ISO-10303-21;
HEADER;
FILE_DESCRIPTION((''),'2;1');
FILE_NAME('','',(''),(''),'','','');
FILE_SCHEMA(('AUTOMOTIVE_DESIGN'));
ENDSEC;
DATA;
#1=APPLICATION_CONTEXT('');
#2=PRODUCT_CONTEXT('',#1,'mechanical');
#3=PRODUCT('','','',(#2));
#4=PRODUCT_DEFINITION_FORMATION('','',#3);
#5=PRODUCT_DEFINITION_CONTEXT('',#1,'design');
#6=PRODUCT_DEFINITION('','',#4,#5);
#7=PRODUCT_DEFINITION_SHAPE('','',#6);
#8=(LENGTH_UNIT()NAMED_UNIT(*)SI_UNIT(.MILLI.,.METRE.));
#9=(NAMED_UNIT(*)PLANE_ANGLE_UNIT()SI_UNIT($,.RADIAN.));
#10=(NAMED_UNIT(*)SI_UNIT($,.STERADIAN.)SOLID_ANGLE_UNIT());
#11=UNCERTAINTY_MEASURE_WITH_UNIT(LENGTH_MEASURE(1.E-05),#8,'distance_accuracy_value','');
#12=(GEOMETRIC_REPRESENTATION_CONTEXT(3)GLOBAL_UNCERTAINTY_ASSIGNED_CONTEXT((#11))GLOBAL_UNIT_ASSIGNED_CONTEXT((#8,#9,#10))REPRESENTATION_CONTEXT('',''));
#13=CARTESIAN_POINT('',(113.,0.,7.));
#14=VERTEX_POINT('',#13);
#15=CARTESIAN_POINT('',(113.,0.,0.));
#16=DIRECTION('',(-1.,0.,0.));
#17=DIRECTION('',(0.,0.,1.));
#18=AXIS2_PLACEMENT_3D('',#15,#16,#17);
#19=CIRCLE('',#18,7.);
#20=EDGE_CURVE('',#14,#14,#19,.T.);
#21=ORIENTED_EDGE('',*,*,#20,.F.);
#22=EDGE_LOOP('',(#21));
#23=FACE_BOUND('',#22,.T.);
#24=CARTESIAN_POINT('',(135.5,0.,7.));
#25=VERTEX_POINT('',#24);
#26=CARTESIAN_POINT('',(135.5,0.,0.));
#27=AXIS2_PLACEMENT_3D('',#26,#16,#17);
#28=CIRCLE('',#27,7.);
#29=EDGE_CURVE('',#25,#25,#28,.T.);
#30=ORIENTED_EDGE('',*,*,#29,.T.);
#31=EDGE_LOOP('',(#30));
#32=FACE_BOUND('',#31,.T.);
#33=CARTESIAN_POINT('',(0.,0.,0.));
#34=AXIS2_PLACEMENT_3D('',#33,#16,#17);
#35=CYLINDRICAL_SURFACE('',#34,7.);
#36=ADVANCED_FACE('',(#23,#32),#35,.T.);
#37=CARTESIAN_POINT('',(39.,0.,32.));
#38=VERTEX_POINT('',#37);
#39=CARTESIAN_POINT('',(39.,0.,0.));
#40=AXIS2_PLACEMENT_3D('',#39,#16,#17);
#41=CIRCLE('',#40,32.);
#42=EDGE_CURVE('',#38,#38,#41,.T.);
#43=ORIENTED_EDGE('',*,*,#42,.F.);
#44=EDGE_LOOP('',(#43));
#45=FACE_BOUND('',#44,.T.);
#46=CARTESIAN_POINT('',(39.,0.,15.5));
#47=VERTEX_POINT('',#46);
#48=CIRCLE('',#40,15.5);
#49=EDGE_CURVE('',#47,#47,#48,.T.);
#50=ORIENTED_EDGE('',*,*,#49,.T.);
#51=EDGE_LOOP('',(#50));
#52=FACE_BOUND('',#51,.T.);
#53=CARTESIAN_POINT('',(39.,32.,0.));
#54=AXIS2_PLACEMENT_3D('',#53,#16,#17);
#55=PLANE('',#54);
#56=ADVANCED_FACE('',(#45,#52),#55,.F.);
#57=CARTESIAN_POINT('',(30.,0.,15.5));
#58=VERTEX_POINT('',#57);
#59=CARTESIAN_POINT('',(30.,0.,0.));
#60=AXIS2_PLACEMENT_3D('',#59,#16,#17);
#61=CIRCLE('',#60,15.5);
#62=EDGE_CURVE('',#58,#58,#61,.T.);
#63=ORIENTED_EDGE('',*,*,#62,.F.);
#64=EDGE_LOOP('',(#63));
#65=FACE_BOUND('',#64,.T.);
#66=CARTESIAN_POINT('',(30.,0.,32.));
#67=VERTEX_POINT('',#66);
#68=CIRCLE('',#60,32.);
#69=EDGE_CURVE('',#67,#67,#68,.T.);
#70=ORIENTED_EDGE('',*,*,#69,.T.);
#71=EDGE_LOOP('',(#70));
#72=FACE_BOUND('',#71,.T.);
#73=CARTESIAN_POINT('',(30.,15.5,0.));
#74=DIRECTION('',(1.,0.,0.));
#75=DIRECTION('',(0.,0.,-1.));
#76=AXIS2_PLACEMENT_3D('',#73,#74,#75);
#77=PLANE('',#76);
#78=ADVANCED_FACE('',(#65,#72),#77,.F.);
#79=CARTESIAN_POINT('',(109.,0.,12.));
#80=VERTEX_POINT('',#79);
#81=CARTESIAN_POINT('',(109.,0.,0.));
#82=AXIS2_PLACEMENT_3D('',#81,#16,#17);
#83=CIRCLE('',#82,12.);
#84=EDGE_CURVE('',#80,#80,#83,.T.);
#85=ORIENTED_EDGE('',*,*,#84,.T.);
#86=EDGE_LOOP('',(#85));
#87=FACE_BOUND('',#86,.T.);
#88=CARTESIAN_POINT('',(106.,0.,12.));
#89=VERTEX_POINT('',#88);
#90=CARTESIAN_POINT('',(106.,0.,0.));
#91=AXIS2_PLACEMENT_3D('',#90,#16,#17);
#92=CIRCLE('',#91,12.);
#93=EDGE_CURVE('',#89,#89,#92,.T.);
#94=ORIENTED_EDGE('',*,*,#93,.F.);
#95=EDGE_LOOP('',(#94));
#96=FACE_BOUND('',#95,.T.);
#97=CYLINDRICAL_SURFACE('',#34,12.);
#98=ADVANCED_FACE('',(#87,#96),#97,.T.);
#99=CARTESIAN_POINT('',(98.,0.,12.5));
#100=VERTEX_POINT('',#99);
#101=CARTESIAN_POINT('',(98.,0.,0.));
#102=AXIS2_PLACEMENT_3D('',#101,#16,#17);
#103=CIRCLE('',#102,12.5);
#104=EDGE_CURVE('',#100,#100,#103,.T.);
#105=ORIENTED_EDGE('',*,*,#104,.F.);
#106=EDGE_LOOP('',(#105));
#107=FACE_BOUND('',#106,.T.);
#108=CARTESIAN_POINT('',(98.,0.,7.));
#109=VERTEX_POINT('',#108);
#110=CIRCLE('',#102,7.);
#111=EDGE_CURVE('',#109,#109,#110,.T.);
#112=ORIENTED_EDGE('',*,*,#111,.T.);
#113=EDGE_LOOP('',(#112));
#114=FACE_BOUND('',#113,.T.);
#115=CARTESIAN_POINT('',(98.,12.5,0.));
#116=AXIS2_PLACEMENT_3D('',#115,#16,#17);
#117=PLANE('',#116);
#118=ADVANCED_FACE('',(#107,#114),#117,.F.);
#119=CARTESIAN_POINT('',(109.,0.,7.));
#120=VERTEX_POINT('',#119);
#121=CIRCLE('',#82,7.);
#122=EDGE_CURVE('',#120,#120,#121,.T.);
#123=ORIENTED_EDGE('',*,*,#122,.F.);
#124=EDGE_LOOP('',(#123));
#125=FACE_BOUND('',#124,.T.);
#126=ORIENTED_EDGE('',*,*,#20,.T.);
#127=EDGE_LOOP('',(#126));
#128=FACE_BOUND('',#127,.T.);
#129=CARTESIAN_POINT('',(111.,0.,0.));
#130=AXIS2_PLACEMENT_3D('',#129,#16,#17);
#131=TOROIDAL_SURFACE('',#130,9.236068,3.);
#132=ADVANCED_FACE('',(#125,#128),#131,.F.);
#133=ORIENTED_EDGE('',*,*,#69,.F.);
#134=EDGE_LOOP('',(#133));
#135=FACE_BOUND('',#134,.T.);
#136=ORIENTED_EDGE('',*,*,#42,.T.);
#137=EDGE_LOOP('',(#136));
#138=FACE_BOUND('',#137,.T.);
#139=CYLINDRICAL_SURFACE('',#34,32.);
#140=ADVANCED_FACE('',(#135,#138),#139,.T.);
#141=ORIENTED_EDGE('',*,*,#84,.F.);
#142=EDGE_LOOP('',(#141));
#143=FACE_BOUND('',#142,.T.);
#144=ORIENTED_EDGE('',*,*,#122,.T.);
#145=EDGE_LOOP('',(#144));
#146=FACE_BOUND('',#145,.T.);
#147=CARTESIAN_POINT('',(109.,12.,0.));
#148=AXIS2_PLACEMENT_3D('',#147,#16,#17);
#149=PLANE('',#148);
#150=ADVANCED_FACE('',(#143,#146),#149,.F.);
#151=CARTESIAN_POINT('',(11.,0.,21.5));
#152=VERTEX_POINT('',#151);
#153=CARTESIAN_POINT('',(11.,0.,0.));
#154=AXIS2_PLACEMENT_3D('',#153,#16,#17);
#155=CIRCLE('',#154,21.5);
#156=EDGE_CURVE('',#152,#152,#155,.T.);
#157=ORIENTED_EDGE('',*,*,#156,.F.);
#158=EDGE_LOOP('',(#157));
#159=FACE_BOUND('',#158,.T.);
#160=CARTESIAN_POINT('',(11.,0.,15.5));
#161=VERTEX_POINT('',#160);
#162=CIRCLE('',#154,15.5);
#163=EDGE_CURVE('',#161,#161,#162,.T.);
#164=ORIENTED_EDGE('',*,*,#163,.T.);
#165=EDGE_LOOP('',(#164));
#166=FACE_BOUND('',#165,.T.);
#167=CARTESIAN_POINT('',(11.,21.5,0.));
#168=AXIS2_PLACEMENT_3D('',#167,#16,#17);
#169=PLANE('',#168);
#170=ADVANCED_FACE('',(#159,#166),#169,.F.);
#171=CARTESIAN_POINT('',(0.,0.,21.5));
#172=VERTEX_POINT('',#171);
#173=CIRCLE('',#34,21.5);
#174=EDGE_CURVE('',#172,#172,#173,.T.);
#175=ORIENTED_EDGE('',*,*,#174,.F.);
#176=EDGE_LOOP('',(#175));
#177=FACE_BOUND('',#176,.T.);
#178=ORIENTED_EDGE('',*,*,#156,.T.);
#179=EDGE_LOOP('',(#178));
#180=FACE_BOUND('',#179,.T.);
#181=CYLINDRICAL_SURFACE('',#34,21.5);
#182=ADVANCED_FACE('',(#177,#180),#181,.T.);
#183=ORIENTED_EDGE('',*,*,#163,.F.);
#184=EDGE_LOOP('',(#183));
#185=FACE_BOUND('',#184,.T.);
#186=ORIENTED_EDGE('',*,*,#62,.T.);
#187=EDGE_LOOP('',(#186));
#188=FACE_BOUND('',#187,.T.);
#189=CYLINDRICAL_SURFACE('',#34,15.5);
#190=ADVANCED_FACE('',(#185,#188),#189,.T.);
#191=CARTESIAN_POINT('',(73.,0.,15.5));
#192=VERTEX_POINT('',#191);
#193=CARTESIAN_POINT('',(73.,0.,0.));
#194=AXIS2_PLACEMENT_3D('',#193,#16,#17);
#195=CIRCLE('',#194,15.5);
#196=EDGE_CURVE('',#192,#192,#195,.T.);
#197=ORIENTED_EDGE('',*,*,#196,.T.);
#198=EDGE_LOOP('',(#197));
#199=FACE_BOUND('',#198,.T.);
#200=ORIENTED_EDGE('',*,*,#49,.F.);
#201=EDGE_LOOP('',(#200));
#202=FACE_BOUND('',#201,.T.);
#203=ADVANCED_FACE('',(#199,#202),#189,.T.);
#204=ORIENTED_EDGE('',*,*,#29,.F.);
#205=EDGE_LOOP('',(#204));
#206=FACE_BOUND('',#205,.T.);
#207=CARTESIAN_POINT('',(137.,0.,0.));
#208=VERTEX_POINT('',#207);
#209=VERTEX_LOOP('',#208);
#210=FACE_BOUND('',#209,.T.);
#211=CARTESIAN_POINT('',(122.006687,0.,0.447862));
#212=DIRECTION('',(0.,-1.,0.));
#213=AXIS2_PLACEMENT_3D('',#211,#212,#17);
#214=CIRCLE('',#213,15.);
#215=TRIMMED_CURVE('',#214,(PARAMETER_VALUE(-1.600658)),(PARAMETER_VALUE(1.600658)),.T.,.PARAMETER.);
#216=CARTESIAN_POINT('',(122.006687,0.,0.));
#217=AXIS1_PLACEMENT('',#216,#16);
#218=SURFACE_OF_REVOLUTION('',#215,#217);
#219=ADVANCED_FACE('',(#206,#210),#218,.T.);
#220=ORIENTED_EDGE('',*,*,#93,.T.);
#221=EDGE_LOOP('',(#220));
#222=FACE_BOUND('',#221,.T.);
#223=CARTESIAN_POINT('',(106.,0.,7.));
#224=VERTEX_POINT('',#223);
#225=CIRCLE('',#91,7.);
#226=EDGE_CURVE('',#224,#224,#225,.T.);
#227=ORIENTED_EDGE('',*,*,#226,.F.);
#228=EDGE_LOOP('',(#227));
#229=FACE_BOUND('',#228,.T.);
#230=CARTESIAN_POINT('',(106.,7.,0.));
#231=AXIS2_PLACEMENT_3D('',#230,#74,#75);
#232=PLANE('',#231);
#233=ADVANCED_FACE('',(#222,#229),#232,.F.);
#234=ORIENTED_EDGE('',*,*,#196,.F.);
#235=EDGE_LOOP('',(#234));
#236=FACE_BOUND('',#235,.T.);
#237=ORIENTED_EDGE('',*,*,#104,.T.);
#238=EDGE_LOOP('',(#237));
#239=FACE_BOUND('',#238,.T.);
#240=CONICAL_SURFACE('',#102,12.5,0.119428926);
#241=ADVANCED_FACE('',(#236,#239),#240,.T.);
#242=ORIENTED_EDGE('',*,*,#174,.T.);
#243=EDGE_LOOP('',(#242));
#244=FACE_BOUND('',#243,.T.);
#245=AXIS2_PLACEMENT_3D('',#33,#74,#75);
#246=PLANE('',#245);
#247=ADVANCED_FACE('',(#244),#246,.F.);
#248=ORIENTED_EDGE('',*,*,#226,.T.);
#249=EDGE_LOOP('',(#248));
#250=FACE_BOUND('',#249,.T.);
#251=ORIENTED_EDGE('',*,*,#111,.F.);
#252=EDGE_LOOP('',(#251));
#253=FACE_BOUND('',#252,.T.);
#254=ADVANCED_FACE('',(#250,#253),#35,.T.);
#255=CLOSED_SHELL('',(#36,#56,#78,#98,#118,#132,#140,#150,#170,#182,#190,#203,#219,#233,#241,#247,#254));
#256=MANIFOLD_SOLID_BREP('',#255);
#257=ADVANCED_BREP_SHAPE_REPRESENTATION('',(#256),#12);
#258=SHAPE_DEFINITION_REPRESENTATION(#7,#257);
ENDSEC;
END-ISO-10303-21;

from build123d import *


with BuildPart() as part:
    # Çizim1 → Döndür2 (revolve)
    with BuildSketch(Plane.XY, mode=Mode.PRIVATE) as d_nd_r2_sk:
        with BuildLine():
            Line((0, 0), (0, 21.5))
            Line((0, 21.5), (11, 21.5))
            Line((11, 21.5), (11, 15.5))
            Line((11, 15.5), (30, 15.5))
            Line((30, 15.5), (30, 32))
            Line((30, 32), (39, 32))
            Line((39, 32), (39, 15.5))
            Line((39, 15.5), (73, 15.5))
            Line((73, 15.5), (98, 12.5))
            Line((98, 12.5), (98, 7))
            Line((98, 7), (106, 7))
            Line((106, 7), (106, 12))
            Line((106, 12), (109, 12))
            Line((109, 12), (109, 7))
            ThreePointArc((109, 7), (111, 6.236067977), (113, 7))
            Line((113, 7), (135.5, 7))
            ThreePointArc((135.5, 7), (136.673723702, 3.590797936), (137, 0))
            Line((137, 0), (0, 0))
        make_face()
    revolve(d_nd_r2_sk.sketch.rotate(Axis((0, 0, 0), (1, 0, 0)), 90), axis=Axis((0, 0, 0), (1, 0, 0)))


solid = part.part
